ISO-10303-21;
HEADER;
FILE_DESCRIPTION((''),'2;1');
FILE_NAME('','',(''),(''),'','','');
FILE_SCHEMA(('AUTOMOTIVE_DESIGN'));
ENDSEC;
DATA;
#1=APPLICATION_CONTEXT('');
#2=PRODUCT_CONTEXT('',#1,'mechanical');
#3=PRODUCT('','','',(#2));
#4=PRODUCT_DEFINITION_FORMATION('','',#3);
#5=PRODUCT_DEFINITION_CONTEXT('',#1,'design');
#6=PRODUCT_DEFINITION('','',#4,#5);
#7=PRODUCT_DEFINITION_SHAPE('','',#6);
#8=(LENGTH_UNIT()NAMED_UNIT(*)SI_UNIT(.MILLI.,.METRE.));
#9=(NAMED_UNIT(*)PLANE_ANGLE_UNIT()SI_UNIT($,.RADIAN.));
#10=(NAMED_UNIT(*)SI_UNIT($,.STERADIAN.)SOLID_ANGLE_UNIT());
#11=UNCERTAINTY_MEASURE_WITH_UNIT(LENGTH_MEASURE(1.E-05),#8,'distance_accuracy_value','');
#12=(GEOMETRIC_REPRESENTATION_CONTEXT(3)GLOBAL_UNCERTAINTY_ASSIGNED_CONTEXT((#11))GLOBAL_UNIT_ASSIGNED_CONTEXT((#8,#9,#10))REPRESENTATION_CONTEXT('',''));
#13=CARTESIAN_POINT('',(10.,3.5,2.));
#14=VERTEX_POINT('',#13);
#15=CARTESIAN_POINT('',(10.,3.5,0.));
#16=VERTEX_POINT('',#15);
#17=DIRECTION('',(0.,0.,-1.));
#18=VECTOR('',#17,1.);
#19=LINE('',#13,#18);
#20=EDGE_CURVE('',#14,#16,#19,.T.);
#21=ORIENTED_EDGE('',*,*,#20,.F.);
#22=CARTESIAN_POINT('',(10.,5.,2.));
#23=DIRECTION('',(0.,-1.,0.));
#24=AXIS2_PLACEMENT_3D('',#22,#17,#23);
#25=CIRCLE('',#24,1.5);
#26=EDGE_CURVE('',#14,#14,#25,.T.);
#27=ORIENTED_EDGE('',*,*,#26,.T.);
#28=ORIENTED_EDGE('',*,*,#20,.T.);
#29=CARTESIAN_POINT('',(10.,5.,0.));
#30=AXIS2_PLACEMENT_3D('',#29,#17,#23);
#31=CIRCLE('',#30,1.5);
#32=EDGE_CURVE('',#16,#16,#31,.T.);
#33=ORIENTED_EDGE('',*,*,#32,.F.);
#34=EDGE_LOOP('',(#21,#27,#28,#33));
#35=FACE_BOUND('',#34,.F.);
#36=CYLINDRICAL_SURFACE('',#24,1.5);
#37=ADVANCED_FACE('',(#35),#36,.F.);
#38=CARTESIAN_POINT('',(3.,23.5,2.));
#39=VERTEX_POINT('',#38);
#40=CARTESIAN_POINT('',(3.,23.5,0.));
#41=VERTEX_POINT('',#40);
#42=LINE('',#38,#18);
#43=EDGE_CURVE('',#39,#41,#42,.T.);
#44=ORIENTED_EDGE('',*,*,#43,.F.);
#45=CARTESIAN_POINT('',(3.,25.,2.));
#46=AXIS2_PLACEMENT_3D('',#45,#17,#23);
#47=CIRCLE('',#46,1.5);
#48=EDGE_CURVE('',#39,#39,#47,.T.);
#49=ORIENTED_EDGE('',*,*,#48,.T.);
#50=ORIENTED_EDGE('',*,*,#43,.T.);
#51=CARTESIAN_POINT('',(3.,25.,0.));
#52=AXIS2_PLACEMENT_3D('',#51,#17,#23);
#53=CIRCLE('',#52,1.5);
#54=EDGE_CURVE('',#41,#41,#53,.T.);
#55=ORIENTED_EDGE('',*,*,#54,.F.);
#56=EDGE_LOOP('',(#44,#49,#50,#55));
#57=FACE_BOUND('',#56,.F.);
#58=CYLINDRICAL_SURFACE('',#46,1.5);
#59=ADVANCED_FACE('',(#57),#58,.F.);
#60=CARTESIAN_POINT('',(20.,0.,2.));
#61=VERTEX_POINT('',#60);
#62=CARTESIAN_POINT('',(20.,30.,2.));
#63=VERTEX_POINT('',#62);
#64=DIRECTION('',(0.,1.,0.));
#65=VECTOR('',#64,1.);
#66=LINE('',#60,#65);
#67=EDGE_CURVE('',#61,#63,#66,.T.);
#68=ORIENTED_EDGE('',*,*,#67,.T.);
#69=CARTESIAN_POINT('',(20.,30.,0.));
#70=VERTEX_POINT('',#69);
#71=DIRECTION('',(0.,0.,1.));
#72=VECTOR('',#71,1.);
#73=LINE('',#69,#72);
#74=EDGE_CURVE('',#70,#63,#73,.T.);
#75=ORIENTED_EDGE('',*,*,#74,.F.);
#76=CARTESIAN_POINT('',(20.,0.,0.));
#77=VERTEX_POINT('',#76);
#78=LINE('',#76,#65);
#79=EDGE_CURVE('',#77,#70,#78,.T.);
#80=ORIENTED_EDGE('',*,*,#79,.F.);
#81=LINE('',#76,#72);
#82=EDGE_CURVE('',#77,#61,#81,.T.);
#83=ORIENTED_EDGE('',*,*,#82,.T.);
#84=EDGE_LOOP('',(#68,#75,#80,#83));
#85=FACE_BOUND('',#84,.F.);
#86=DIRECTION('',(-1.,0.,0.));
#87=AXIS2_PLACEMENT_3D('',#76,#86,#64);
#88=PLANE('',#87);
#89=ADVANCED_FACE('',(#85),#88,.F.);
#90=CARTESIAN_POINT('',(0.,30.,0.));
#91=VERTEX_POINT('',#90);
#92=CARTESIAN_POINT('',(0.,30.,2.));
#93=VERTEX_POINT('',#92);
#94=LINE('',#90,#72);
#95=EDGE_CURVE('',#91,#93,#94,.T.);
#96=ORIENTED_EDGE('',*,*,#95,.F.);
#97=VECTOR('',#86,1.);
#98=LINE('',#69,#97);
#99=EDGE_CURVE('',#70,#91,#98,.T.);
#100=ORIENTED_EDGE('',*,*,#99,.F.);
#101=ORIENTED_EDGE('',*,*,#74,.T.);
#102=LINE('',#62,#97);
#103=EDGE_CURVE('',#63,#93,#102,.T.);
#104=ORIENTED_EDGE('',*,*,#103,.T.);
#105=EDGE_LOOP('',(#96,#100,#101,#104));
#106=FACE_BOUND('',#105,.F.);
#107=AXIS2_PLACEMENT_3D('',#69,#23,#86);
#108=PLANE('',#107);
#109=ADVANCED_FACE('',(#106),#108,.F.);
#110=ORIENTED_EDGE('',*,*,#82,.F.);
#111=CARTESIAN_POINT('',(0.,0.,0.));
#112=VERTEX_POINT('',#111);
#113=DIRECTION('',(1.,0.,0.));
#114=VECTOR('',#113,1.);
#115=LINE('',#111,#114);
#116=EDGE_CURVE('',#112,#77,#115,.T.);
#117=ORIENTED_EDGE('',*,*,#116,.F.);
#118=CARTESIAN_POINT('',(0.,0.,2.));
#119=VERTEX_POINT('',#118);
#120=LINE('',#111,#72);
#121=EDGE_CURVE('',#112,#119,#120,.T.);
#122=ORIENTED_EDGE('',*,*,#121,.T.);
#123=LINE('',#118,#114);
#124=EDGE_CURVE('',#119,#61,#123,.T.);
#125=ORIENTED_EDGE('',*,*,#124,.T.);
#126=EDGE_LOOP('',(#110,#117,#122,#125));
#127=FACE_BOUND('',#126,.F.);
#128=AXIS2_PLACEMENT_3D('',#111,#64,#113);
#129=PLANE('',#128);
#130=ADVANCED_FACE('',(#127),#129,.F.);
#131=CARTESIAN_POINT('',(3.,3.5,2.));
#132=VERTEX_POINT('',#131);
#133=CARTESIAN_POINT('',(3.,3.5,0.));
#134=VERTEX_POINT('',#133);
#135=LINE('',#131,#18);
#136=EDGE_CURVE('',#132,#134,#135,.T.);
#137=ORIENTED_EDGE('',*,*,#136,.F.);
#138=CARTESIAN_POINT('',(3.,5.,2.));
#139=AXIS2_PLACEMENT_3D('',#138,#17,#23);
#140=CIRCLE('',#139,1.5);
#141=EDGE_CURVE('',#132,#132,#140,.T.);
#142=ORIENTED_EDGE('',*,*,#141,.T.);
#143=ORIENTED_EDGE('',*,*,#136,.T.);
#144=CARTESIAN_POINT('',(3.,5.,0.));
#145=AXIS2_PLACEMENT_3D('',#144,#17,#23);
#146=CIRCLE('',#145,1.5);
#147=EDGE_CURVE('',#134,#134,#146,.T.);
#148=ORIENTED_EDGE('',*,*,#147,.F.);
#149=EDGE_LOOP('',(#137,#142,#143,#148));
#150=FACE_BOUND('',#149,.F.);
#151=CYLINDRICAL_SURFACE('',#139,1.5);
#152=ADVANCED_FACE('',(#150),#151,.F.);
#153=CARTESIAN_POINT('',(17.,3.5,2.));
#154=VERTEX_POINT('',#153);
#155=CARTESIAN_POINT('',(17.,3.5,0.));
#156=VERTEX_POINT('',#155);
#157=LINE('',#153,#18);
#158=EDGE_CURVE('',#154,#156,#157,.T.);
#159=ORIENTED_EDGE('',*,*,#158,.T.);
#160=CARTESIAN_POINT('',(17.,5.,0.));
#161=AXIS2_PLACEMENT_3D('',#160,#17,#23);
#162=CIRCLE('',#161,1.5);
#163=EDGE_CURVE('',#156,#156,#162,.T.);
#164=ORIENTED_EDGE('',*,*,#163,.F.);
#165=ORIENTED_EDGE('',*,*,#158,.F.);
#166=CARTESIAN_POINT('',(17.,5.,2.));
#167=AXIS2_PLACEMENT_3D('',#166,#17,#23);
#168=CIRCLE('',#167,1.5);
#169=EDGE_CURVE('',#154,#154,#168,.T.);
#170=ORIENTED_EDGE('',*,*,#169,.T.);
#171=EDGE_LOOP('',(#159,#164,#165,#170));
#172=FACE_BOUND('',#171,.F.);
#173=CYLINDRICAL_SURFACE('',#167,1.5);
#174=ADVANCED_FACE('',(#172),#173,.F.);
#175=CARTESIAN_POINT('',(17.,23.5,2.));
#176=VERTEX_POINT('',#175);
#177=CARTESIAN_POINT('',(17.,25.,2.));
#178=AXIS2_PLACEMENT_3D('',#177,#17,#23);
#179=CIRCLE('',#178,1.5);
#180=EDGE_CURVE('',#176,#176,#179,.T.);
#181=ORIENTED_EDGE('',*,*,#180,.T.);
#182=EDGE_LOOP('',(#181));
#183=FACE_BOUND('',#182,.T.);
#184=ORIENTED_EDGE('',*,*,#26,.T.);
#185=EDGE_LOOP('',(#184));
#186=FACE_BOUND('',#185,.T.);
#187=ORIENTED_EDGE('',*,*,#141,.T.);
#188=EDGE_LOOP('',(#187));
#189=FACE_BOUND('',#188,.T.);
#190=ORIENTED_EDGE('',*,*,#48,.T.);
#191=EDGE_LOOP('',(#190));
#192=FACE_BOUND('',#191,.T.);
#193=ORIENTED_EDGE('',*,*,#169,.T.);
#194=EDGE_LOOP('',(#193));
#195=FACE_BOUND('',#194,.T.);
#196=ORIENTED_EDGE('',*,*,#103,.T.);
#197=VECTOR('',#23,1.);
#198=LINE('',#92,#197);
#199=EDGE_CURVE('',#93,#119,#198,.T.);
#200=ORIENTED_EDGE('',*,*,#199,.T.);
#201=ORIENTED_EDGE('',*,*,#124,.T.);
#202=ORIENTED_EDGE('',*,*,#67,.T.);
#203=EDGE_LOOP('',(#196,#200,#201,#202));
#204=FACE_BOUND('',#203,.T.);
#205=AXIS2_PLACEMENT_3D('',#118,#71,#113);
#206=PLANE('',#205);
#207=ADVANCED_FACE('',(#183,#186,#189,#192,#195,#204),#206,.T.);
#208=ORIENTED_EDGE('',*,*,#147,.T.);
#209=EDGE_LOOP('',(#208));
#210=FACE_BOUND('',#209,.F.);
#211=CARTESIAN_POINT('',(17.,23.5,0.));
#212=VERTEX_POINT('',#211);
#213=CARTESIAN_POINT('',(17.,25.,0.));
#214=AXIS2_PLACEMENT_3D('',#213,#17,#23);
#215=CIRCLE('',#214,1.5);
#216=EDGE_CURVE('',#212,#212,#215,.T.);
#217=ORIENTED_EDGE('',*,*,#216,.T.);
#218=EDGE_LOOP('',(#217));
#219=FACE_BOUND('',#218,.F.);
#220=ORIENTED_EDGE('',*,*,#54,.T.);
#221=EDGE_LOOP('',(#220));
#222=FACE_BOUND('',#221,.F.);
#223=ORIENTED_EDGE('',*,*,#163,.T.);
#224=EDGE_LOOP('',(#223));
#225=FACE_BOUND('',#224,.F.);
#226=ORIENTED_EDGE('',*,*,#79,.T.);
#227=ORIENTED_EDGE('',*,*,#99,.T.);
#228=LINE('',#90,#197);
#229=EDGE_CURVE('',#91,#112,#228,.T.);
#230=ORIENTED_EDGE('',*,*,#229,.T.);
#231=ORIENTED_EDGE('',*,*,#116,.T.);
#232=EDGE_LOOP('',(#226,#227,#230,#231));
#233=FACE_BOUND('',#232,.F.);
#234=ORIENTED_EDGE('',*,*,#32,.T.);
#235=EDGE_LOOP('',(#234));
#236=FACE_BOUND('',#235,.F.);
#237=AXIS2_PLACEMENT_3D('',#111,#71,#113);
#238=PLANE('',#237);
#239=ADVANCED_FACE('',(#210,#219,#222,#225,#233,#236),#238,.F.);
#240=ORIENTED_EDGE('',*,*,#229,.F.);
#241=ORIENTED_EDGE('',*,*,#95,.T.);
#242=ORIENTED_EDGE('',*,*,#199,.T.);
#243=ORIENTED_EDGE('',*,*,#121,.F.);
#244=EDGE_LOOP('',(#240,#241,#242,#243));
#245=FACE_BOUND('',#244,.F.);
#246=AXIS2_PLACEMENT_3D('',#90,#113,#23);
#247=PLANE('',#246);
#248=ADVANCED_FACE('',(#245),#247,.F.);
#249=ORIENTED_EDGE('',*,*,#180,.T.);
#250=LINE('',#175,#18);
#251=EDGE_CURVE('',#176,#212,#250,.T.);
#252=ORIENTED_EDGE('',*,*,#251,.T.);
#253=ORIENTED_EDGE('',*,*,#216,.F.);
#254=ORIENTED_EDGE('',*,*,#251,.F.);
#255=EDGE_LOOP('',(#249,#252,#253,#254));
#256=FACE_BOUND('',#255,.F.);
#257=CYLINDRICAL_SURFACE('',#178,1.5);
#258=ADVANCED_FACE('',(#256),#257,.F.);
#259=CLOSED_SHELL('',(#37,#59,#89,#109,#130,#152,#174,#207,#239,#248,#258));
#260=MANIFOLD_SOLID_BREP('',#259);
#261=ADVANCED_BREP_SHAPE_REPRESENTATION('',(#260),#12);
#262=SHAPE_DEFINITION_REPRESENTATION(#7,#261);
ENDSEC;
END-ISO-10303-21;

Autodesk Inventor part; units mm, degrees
ref_plane "YZ Plane" through (0, 0, 0) normal (1, 0, 0) x (0, 1, 0)
ref_plane "XZ Plane" through (0, 0, 0) normal (0, 1, 0) x (-1, 0, 0)
ref_plane "XY Plane" through (0, 0, 0) normal (0, 0, 1) x (1, 0, 0)
sketch "スケッチ1" plane through (0, 0, 0) normal (0, 0, 1) x (1, 0, 0)
  line L0 (0, 0) -> (20, 0)
  line L1 (20, 0) -> (20, 30)
  line L2 (20, 30) -> (0, 30)
  line L3 (0, 30) -> (0, 0)
  dimension "d0" = 30
  dimension "d1" = 20
extrude "押し出し1" add sketch "スケッチ1" along normal blind 2
sketch "スケッチ4" plane through (0, 0, 2) normal (0, 0, 1) x (1, 0, 0)
  line L0 (20, 30) -> (0, 30) projected
  line L1 (10, 30) -> (10, 0)
  line L2 (0, 0) -> (20, 0) projected
  point P0 (3, 5)
  point P1 (3, 25)
  point P2 (17, 5)
  point P3 (17, 25)
  dimension "d23" = 7
  dimension "d24" = 7
  dimension "d25" = 20
  dimension "d26" = 5
hole "穴3" at (3, 5, 2) at (3, 25, 2) at (17, 25, 2) at (17, 5, 2) direction (0, 0, -1) diameter 3 end through all
sketch "スケッチ5" plane through (0, 0, 2) normal (0, 0, 1) x (1, 0, 0)
  line L0 (0, 0) -> (20, 0) projected
  point P0 (10, 5)
  dimension "d34" = 5
hole "穴4" at (10, 5, 2) direction (0, 0, -1) diameter 3 end through all
properties part number "指支え"
